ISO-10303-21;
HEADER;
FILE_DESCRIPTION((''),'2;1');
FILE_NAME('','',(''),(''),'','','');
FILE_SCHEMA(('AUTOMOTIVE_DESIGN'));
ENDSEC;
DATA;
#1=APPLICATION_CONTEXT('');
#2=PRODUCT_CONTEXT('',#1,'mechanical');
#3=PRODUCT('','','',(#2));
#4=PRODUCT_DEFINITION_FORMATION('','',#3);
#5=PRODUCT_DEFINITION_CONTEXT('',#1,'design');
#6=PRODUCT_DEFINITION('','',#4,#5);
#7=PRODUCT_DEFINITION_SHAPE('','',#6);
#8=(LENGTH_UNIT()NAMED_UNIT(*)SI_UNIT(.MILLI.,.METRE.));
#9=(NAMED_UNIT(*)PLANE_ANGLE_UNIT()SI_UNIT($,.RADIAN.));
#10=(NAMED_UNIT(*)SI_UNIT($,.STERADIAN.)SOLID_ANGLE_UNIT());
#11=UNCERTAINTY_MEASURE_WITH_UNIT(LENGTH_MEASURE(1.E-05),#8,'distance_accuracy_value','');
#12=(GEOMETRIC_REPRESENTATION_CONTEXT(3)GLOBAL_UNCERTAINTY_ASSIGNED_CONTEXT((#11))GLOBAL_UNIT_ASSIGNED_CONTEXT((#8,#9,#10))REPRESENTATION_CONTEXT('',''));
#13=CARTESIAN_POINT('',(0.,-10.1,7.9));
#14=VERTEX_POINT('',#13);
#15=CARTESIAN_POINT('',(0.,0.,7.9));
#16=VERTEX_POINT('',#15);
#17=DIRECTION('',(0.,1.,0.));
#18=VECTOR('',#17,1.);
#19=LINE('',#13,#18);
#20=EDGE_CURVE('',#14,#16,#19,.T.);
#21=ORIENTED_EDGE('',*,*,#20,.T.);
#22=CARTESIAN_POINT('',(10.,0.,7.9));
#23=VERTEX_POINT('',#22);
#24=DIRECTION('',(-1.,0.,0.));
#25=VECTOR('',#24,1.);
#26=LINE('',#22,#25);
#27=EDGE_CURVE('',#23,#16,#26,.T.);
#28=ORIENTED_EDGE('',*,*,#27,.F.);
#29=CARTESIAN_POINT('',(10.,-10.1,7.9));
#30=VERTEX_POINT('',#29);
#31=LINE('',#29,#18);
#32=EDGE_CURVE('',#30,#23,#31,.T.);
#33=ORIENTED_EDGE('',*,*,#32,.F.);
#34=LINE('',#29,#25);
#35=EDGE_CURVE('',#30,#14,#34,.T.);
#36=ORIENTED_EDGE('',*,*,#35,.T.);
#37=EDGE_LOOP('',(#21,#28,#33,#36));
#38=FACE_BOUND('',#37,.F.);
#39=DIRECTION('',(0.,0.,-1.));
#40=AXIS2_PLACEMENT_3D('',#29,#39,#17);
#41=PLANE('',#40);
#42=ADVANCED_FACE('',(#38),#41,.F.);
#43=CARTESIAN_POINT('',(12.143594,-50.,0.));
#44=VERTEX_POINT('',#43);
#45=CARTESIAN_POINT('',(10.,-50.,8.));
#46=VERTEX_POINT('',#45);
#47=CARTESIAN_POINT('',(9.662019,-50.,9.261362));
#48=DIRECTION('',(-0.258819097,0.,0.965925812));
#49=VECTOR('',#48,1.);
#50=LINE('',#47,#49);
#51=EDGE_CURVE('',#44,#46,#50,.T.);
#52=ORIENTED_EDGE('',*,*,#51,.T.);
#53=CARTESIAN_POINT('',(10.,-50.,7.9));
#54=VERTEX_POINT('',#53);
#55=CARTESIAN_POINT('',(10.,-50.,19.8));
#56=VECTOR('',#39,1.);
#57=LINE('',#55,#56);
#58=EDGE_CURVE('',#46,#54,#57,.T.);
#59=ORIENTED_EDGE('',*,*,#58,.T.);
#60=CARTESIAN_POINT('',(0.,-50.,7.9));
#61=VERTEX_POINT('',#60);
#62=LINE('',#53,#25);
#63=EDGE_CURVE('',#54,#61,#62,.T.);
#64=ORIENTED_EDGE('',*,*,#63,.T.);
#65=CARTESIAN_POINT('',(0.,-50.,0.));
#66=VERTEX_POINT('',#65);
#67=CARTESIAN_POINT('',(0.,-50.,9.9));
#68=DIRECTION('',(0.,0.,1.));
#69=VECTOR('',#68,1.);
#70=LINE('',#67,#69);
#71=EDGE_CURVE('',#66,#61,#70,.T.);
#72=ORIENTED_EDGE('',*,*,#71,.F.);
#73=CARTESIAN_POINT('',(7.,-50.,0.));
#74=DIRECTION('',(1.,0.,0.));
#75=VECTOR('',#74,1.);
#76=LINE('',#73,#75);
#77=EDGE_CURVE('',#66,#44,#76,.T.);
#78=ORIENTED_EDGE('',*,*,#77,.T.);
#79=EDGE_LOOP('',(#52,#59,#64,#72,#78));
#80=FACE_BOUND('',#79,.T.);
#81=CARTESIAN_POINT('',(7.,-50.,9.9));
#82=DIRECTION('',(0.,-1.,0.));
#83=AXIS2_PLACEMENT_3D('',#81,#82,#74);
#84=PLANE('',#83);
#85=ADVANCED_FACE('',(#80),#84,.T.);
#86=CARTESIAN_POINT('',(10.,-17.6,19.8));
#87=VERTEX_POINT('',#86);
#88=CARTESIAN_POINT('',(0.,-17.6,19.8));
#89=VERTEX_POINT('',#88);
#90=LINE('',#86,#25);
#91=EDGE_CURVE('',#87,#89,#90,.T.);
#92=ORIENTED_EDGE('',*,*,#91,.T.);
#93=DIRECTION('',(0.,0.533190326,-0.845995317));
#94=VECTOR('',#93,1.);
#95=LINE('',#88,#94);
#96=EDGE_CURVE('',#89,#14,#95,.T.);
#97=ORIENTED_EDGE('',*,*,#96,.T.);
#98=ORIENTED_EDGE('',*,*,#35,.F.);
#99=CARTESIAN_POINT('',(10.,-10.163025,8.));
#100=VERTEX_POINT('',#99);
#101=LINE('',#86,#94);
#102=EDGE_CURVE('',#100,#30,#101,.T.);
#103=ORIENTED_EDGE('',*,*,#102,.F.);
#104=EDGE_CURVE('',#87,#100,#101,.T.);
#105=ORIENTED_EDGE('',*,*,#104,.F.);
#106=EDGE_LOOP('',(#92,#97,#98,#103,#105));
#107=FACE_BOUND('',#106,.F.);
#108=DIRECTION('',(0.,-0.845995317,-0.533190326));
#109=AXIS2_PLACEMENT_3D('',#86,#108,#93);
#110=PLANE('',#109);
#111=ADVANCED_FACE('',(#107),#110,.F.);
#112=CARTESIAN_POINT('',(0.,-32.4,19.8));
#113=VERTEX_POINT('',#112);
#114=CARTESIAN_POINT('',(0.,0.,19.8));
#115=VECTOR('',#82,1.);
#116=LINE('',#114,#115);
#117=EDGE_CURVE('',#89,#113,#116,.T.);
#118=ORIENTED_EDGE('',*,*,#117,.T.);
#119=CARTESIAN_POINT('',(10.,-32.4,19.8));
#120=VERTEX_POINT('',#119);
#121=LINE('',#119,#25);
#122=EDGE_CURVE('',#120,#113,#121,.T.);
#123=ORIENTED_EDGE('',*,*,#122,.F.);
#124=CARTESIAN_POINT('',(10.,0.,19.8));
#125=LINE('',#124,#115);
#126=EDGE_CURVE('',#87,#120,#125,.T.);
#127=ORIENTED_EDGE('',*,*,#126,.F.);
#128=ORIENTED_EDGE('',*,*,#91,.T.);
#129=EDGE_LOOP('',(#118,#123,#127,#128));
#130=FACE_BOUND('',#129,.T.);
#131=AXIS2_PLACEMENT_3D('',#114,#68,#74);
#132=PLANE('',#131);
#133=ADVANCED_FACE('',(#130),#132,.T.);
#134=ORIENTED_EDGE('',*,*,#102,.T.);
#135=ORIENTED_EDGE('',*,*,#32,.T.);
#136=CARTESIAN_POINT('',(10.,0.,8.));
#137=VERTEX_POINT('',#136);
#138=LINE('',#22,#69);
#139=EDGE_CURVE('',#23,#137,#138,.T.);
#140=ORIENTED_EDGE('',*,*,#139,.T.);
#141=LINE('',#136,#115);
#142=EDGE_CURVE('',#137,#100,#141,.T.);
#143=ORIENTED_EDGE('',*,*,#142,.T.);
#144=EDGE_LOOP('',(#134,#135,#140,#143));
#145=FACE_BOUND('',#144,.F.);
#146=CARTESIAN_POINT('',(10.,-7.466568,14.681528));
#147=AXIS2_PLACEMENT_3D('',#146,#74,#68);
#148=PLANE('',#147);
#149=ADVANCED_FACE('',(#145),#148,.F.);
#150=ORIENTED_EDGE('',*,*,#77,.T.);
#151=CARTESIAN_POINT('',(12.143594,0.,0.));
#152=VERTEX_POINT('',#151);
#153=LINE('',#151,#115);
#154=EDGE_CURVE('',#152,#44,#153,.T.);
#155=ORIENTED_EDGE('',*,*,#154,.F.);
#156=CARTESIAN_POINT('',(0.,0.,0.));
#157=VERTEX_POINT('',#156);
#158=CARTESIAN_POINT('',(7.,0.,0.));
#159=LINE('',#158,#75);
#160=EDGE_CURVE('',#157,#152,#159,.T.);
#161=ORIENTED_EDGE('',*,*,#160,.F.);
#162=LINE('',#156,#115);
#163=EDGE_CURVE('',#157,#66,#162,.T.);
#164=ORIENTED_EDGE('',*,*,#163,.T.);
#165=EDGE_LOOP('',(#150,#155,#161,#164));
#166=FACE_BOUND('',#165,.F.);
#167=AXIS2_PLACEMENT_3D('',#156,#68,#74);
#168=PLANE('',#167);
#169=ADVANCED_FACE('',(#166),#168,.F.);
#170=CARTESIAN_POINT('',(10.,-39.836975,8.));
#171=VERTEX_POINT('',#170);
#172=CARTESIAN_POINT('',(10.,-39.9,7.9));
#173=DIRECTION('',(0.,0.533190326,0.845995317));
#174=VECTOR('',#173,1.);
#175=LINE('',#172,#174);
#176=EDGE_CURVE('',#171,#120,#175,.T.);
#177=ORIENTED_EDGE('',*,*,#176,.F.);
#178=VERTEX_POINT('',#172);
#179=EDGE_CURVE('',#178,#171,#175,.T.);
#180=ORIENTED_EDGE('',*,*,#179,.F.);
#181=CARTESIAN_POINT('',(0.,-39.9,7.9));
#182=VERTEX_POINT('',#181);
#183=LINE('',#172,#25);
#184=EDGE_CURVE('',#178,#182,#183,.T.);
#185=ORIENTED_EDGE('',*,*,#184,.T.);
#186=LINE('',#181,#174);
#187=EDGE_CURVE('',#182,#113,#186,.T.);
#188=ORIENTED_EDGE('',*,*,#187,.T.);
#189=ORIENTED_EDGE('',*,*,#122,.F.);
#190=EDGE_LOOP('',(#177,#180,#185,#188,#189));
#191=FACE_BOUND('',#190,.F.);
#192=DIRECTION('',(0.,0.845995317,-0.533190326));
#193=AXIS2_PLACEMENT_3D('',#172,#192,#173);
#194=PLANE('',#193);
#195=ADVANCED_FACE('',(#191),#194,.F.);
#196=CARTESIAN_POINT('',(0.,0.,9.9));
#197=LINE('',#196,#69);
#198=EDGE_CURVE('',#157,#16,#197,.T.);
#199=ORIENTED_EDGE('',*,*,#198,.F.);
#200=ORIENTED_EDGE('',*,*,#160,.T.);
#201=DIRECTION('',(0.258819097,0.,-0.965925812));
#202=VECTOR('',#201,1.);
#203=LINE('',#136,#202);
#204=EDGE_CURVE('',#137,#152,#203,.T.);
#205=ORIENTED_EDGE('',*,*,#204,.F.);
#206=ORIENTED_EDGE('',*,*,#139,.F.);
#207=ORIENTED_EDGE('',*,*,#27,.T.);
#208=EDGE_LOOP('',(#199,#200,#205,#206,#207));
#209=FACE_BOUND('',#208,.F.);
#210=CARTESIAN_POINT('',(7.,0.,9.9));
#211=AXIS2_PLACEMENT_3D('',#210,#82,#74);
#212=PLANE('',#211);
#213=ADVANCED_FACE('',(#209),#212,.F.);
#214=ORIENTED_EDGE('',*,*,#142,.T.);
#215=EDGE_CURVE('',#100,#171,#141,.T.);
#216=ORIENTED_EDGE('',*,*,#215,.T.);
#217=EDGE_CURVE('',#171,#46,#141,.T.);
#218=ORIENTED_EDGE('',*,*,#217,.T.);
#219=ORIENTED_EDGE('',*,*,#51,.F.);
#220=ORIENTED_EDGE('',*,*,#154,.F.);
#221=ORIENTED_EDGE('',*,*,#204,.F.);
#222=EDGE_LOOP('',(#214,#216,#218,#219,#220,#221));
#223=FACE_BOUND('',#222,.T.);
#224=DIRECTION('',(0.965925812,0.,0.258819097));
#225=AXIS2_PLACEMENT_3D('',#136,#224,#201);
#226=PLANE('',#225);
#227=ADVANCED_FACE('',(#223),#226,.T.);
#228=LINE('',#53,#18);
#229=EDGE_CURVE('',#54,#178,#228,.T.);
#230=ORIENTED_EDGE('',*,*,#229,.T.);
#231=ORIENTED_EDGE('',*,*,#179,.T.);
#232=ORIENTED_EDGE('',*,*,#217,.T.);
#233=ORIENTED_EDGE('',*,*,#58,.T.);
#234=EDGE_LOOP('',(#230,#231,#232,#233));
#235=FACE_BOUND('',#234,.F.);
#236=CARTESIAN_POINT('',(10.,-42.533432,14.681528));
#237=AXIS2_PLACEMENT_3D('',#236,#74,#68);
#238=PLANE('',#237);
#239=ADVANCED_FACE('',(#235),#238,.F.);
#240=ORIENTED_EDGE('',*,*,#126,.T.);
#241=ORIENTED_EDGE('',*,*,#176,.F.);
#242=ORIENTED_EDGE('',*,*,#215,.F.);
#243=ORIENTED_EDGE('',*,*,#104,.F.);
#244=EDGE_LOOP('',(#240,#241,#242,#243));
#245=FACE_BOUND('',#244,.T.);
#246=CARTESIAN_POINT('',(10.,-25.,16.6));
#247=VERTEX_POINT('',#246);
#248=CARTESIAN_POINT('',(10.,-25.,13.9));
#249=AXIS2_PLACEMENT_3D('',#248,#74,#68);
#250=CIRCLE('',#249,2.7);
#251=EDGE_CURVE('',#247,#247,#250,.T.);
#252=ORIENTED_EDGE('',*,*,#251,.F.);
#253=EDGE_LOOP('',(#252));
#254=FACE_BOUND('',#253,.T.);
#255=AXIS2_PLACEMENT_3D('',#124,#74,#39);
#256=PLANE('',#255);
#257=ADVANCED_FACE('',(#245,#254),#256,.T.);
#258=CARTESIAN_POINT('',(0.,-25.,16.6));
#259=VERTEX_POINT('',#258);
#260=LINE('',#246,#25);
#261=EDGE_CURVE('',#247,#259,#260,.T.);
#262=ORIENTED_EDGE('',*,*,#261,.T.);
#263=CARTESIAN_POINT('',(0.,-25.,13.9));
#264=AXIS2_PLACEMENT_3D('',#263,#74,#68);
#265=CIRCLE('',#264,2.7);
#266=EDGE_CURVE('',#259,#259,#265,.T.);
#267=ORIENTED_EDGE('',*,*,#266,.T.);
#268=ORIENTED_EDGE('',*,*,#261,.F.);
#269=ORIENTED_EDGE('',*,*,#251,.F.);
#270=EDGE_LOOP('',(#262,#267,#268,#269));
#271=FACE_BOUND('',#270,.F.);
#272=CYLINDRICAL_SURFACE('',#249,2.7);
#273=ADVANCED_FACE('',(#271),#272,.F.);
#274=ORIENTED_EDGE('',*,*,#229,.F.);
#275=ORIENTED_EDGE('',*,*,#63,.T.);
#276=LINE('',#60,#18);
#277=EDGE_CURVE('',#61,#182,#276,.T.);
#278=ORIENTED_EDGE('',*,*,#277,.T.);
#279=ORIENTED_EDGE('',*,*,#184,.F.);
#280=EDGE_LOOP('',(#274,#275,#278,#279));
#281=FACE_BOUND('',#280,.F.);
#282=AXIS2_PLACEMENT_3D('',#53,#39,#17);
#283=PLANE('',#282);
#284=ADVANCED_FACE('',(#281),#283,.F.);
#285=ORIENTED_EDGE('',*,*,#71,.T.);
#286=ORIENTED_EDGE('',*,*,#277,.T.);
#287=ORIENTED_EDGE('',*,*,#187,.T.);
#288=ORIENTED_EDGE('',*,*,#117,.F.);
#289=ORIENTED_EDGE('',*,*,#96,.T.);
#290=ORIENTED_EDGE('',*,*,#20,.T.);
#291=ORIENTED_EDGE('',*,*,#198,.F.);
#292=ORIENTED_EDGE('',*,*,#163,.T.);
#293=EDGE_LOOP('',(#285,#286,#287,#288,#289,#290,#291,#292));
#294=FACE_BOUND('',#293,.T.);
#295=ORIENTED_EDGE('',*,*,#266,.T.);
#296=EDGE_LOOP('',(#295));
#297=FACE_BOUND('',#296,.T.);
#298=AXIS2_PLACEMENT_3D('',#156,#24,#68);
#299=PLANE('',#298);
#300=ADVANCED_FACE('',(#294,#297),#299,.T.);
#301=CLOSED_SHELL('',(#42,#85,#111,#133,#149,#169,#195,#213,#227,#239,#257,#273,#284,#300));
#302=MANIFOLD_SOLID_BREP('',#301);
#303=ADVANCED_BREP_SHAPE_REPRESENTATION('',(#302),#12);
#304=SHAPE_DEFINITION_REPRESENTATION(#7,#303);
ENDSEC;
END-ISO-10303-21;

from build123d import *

# Parameters (mm, degrees)
SKETCH_W        = 14
SKETCH_H        = 19.8
PAD_DEPTH       = 50
POCKET_DEPTH    = 50.001
SKETCH002_R     = 2.7
POCKET001_DEPTH = 10.001
POCKET002_DEPTH = 10


with BuildPart() as part:
    # Sketch → Pad (new body)
    with BuildSketch(Plane.XZ):
        with Locations((7, 9.9)):
            Rectangle(SKETCH_W, SKETCH_H)
    extrude(amount=PAD_DEPTH)

    # Sketch001 (on Face5 of Pad) → Pocket (cut, through all)
    with BuildSketch(Plane(origin=(0, 0, 0), x_dir=(1, 0, 0), z_dir=(0, 1, 0))):
        Polygon((10, -19.8), (10, -8), (12.143594, 0), (14, 0), (14, -19.8), align=None)
    extrude(amount=-POCKET_DEPTH, mode=Mode.SUBTRACT)

    # Sketch002 (on Face6 of Pocket) → Pocket001 (cut, through all)
    with BuildSketch(Plane(origin=(10, 0, 0), x_dir=(0, 0, 1), z_dir=(1, 0, 0))):
        with Locations((13.9, 25)):
            Circle(SKETCH002_R)
    extrude(amount=-POCKET001_DEPTH, mode=Mode.SUBTRACT)

    # Sketch003 (on Face7 of Pocket001) → Pocket002 (cut)
    with BuildSketch(Plane(origin=(10, 0, 0), x_dir=(0, 0, 1), z_dir=(1, 0, 0))):
        Polygon((7.9, 39.9), (19.8, 32.4), (19.8, 50), (7.9, 50), align=None)
        Polygon((7.9, 0), (19.8, 0), (19.8, 17.6), (7.9, 10.1), align=None)
    extrude(amount=-POCKET002_DEPTH, mode=Mode.SUBTRACT)


solid = part.part
